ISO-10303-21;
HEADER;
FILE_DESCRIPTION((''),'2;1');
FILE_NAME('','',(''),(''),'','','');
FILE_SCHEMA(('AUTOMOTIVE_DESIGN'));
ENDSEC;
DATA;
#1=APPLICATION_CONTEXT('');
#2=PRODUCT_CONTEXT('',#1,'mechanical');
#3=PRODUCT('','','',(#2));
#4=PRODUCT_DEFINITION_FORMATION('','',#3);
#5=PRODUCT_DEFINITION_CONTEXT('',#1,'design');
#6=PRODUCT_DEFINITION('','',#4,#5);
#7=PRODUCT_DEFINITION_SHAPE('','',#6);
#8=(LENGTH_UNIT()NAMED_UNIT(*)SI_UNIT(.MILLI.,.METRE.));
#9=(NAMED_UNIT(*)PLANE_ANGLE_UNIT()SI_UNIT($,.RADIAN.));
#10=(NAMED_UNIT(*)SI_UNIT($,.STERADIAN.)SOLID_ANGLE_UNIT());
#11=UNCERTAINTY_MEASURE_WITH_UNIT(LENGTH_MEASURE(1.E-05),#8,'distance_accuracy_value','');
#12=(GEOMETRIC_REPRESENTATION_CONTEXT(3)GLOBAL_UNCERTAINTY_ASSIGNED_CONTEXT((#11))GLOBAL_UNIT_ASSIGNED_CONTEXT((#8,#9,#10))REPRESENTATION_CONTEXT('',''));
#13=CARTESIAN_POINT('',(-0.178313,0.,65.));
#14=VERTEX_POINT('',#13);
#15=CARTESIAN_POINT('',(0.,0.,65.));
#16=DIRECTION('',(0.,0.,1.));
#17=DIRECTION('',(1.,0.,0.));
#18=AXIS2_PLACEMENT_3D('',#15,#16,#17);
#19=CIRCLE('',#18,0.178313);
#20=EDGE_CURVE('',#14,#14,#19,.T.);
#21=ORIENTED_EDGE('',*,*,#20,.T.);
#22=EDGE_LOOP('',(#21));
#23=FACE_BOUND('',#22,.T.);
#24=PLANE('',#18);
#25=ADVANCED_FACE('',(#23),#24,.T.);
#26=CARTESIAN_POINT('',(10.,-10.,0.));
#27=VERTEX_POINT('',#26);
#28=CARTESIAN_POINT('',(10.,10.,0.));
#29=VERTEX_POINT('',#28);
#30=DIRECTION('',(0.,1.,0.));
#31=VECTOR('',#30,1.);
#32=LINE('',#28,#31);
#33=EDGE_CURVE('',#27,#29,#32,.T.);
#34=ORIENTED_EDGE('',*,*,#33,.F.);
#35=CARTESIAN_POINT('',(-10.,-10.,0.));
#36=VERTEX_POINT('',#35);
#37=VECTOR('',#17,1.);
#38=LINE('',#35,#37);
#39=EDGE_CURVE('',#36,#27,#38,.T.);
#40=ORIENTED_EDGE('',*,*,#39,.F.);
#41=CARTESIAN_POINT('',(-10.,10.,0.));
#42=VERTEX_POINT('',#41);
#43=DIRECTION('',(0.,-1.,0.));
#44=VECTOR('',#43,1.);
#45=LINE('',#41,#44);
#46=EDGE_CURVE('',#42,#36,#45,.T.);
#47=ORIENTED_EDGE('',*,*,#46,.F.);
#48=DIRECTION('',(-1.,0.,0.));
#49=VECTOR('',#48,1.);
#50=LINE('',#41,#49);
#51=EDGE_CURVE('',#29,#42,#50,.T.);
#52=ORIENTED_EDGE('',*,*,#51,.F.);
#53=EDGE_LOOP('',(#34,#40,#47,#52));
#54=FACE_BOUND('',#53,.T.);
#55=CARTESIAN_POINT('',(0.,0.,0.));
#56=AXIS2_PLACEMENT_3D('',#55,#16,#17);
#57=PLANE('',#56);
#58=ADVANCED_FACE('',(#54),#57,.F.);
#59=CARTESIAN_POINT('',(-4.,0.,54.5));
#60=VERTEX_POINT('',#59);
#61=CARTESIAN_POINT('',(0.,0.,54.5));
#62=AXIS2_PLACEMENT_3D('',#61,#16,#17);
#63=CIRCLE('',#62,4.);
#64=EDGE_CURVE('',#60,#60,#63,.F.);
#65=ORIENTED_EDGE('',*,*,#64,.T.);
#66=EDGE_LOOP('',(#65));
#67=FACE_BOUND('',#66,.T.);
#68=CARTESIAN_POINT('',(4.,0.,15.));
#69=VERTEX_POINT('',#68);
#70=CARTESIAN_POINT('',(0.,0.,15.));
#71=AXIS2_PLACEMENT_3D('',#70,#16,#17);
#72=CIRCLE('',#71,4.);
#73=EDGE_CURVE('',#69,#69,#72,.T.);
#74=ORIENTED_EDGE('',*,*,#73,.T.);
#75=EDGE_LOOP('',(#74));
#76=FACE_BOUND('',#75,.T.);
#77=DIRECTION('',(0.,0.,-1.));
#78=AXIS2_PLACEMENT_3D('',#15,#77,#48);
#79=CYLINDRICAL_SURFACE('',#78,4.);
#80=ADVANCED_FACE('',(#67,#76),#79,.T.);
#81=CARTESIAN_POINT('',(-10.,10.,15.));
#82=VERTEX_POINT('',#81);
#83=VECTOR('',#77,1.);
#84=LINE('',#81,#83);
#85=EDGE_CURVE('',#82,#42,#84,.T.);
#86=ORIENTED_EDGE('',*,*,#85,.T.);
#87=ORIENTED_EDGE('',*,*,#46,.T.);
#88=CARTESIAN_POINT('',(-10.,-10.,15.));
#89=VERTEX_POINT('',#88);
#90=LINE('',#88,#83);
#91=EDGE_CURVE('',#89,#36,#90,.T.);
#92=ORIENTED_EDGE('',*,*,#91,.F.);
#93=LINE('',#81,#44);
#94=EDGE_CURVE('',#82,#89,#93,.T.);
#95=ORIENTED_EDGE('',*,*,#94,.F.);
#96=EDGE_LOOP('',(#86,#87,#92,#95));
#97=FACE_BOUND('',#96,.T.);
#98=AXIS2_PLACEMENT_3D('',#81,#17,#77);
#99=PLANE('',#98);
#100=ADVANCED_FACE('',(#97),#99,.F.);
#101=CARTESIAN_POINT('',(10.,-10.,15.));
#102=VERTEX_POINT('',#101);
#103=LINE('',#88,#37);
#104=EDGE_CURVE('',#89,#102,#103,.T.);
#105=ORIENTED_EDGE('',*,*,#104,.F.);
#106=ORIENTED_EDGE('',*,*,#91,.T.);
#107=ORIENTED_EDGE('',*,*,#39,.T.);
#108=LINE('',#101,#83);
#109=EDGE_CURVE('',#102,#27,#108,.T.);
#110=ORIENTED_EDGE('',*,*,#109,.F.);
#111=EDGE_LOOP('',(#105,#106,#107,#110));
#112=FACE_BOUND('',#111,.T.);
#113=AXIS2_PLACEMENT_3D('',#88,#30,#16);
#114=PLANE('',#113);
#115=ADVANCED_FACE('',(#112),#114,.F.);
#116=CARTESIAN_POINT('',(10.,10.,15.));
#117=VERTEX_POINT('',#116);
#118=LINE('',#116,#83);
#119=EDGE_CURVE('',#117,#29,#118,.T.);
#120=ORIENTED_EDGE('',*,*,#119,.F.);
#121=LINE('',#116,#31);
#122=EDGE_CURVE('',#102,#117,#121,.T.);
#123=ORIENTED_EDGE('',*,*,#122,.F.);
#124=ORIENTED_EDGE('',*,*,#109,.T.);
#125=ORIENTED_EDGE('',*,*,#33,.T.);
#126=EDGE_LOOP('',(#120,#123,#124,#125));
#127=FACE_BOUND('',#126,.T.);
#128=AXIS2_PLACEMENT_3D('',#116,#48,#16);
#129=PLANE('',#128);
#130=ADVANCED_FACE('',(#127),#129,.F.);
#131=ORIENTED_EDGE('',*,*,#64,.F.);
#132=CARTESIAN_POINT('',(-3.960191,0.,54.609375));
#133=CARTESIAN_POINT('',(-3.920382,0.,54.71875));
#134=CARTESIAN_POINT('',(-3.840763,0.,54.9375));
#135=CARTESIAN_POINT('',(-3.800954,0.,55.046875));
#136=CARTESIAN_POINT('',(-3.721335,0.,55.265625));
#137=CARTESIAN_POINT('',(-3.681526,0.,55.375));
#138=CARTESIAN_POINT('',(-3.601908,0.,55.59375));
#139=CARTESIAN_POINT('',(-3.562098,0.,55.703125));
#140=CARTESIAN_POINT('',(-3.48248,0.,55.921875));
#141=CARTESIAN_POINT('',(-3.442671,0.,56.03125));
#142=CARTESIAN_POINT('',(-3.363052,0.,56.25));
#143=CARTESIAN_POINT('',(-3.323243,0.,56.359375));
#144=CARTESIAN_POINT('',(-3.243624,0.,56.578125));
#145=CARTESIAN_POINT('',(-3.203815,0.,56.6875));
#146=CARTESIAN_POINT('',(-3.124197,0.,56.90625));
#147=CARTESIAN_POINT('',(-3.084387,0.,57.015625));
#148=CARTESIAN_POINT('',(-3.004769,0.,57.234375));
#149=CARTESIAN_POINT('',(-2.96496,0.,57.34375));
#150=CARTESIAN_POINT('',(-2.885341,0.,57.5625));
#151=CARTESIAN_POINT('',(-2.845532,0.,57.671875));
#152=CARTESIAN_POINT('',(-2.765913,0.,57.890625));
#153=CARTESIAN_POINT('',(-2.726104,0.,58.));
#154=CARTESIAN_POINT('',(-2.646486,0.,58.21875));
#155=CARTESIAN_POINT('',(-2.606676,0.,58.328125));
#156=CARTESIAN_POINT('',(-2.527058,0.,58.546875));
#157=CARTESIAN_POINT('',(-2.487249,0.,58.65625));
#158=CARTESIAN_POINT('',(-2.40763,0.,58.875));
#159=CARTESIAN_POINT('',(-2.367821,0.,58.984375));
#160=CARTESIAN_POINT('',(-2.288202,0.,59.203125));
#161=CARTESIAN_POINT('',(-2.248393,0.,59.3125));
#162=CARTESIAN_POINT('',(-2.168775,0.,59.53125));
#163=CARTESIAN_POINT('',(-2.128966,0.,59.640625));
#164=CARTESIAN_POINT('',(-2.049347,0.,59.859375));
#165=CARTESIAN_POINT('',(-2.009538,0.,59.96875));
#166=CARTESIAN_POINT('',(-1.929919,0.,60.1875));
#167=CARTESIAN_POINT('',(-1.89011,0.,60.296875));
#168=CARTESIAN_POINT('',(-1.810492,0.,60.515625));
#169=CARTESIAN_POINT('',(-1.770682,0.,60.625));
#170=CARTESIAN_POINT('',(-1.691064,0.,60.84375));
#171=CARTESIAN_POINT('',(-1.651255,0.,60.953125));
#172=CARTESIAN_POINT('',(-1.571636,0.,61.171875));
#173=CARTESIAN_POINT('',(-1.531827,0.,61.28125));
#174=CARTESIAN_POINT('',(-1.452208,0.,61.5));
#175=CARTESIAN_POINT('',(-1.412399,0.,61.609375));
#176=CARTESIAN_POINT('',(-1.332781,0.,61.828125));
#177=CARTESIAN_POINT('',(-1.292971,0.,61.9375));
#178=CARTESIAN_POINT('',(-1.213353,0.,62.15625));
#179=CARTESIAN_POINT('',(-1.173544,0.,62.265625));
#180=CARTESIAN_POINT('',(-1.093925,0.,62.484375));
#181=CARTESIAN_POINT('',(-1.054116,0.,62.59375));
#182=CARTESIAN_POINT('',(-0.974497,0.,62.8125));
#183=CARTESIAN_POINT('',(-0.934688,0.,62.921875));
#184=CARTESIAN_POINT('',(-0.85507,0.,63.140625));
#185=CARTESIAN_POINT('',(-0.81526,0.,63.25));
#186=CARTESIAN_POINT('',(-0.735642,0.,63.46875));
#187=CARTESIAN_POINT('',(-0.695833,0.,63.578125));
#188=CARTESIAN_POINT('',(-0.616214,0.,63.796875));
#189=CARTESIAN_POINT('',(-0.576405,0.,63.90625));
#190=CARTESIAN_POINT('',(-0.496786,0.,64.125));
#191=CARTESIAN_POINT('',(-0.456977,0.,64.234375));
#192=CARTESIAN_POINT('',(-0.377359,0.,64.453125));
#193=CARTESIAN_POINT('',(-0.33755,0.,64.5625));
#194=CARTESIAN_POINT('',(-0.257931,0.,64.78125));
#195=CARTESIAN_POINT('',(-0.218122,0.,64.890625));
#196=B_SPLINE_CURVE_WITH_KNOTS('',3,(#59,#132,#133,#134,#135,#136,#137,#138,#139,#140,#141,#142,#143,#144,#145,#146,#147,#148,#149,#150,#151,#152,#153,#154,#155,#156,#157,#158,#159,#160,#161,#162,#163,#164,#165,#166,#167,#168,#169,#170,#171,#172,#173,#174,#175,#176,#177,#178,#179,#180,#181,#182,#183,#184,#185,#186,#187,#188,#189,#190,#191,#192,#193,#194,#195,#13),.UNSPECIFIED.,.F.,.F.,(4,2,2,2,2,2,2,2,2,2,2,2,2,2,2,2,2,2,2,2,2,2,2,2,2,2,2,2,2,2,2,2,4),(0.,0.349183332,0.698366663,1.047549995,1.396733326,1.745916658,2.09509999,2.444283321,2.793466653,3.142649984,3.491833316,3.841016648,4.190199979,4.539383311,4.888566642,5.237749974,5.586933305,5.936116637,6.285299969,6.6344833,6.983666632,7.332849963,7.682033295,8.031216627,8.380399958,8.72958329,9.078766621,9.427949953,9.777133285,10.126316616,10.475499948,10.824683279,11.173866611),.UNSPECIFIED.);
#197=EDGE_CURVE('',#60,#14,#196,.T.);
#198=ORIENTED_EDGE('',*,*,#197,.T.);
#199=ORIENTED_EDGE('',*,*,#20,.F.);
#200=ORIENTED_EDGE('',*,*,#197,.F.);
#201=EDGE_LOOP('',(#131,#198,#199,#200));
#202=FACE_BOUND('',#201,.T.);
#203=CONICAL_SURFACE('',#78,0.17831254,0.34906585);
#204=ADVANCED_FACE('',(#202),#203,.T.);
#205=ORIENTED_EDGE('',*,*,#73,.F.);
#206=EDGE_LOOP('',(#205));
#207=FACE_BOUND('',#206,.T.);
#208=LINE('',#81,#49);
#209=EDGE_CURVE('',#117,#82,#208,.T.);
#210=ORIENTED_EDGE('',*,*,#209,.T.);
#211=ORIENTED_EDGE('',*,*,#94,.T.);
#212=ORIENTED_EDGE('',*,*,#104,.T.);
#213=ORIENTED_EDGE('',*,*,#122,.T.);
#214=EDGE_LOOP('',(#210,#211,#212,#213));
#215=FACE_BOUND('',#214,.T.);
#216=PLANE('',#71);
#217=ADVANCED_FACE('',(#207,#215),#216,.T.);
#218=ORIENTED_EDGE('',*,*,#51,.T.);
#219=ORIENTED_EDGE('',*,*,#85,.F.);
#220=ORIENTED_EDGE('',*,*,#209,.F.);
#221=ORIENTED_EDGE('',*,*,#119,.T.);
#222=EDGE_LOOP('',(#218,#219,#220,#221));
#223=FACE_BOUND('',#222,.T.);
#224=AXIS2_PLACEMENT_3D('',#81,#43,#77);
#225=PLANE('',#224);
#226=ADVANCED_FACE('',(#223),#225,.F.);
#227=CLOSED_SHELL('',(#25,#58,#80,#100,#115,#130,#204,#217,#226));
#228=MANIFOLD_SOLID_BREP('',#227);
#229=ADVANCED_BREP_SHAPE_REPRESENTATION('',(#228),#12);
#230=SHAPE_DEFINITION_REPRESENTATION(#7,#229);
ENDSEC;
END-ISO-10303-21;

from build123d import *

# Parameters (mm, degrees)
SKETCH1_W           = 20
SKETCH1_H           = 20
BOSS_EXTRUDE1_DEPTH = 15
SKETCH2_R           = 4
BOSS_EXTRUDE2_DEPTH = 50
CHAMFER1_SIZE       = 10.5
CHAMFER1_SIZE2      = 3.82168746


with BuildPart() as part:
    # Sketch1 → Boss-Extrude1 (new body)
    with BuildSketch(Plane.XY):
        Rectangle(SKETCH1_W, SKETCH1_H)
    extrude(amount=BOSS_EXTRUDE1_DEPTH)

    # Sketch2 → Boss-Extrude2 (add)
    with BuildSketch(Plane.XY.offset(15)):
        Circle(SKETCH2_R)
    extrude(amount=BOSS_EXTRUDE2_DEPTH)

    # Chamfer1
    chamfer1_edges = [part.edges().sort_by_distance(p)[0] for p in [
        (-4, 0, 65),
    ]]
    chamfer1_side = [part.faces().sort_by_distance(p)[0] for p in [
        (-4, 0, 40),
    ]]
    chamfer(chamfer1_edges, length=CHAMFER1_SIZE, length2=CHAMFER1_SIZE2, reference=chamfer1_side[0])


solid = part.part
